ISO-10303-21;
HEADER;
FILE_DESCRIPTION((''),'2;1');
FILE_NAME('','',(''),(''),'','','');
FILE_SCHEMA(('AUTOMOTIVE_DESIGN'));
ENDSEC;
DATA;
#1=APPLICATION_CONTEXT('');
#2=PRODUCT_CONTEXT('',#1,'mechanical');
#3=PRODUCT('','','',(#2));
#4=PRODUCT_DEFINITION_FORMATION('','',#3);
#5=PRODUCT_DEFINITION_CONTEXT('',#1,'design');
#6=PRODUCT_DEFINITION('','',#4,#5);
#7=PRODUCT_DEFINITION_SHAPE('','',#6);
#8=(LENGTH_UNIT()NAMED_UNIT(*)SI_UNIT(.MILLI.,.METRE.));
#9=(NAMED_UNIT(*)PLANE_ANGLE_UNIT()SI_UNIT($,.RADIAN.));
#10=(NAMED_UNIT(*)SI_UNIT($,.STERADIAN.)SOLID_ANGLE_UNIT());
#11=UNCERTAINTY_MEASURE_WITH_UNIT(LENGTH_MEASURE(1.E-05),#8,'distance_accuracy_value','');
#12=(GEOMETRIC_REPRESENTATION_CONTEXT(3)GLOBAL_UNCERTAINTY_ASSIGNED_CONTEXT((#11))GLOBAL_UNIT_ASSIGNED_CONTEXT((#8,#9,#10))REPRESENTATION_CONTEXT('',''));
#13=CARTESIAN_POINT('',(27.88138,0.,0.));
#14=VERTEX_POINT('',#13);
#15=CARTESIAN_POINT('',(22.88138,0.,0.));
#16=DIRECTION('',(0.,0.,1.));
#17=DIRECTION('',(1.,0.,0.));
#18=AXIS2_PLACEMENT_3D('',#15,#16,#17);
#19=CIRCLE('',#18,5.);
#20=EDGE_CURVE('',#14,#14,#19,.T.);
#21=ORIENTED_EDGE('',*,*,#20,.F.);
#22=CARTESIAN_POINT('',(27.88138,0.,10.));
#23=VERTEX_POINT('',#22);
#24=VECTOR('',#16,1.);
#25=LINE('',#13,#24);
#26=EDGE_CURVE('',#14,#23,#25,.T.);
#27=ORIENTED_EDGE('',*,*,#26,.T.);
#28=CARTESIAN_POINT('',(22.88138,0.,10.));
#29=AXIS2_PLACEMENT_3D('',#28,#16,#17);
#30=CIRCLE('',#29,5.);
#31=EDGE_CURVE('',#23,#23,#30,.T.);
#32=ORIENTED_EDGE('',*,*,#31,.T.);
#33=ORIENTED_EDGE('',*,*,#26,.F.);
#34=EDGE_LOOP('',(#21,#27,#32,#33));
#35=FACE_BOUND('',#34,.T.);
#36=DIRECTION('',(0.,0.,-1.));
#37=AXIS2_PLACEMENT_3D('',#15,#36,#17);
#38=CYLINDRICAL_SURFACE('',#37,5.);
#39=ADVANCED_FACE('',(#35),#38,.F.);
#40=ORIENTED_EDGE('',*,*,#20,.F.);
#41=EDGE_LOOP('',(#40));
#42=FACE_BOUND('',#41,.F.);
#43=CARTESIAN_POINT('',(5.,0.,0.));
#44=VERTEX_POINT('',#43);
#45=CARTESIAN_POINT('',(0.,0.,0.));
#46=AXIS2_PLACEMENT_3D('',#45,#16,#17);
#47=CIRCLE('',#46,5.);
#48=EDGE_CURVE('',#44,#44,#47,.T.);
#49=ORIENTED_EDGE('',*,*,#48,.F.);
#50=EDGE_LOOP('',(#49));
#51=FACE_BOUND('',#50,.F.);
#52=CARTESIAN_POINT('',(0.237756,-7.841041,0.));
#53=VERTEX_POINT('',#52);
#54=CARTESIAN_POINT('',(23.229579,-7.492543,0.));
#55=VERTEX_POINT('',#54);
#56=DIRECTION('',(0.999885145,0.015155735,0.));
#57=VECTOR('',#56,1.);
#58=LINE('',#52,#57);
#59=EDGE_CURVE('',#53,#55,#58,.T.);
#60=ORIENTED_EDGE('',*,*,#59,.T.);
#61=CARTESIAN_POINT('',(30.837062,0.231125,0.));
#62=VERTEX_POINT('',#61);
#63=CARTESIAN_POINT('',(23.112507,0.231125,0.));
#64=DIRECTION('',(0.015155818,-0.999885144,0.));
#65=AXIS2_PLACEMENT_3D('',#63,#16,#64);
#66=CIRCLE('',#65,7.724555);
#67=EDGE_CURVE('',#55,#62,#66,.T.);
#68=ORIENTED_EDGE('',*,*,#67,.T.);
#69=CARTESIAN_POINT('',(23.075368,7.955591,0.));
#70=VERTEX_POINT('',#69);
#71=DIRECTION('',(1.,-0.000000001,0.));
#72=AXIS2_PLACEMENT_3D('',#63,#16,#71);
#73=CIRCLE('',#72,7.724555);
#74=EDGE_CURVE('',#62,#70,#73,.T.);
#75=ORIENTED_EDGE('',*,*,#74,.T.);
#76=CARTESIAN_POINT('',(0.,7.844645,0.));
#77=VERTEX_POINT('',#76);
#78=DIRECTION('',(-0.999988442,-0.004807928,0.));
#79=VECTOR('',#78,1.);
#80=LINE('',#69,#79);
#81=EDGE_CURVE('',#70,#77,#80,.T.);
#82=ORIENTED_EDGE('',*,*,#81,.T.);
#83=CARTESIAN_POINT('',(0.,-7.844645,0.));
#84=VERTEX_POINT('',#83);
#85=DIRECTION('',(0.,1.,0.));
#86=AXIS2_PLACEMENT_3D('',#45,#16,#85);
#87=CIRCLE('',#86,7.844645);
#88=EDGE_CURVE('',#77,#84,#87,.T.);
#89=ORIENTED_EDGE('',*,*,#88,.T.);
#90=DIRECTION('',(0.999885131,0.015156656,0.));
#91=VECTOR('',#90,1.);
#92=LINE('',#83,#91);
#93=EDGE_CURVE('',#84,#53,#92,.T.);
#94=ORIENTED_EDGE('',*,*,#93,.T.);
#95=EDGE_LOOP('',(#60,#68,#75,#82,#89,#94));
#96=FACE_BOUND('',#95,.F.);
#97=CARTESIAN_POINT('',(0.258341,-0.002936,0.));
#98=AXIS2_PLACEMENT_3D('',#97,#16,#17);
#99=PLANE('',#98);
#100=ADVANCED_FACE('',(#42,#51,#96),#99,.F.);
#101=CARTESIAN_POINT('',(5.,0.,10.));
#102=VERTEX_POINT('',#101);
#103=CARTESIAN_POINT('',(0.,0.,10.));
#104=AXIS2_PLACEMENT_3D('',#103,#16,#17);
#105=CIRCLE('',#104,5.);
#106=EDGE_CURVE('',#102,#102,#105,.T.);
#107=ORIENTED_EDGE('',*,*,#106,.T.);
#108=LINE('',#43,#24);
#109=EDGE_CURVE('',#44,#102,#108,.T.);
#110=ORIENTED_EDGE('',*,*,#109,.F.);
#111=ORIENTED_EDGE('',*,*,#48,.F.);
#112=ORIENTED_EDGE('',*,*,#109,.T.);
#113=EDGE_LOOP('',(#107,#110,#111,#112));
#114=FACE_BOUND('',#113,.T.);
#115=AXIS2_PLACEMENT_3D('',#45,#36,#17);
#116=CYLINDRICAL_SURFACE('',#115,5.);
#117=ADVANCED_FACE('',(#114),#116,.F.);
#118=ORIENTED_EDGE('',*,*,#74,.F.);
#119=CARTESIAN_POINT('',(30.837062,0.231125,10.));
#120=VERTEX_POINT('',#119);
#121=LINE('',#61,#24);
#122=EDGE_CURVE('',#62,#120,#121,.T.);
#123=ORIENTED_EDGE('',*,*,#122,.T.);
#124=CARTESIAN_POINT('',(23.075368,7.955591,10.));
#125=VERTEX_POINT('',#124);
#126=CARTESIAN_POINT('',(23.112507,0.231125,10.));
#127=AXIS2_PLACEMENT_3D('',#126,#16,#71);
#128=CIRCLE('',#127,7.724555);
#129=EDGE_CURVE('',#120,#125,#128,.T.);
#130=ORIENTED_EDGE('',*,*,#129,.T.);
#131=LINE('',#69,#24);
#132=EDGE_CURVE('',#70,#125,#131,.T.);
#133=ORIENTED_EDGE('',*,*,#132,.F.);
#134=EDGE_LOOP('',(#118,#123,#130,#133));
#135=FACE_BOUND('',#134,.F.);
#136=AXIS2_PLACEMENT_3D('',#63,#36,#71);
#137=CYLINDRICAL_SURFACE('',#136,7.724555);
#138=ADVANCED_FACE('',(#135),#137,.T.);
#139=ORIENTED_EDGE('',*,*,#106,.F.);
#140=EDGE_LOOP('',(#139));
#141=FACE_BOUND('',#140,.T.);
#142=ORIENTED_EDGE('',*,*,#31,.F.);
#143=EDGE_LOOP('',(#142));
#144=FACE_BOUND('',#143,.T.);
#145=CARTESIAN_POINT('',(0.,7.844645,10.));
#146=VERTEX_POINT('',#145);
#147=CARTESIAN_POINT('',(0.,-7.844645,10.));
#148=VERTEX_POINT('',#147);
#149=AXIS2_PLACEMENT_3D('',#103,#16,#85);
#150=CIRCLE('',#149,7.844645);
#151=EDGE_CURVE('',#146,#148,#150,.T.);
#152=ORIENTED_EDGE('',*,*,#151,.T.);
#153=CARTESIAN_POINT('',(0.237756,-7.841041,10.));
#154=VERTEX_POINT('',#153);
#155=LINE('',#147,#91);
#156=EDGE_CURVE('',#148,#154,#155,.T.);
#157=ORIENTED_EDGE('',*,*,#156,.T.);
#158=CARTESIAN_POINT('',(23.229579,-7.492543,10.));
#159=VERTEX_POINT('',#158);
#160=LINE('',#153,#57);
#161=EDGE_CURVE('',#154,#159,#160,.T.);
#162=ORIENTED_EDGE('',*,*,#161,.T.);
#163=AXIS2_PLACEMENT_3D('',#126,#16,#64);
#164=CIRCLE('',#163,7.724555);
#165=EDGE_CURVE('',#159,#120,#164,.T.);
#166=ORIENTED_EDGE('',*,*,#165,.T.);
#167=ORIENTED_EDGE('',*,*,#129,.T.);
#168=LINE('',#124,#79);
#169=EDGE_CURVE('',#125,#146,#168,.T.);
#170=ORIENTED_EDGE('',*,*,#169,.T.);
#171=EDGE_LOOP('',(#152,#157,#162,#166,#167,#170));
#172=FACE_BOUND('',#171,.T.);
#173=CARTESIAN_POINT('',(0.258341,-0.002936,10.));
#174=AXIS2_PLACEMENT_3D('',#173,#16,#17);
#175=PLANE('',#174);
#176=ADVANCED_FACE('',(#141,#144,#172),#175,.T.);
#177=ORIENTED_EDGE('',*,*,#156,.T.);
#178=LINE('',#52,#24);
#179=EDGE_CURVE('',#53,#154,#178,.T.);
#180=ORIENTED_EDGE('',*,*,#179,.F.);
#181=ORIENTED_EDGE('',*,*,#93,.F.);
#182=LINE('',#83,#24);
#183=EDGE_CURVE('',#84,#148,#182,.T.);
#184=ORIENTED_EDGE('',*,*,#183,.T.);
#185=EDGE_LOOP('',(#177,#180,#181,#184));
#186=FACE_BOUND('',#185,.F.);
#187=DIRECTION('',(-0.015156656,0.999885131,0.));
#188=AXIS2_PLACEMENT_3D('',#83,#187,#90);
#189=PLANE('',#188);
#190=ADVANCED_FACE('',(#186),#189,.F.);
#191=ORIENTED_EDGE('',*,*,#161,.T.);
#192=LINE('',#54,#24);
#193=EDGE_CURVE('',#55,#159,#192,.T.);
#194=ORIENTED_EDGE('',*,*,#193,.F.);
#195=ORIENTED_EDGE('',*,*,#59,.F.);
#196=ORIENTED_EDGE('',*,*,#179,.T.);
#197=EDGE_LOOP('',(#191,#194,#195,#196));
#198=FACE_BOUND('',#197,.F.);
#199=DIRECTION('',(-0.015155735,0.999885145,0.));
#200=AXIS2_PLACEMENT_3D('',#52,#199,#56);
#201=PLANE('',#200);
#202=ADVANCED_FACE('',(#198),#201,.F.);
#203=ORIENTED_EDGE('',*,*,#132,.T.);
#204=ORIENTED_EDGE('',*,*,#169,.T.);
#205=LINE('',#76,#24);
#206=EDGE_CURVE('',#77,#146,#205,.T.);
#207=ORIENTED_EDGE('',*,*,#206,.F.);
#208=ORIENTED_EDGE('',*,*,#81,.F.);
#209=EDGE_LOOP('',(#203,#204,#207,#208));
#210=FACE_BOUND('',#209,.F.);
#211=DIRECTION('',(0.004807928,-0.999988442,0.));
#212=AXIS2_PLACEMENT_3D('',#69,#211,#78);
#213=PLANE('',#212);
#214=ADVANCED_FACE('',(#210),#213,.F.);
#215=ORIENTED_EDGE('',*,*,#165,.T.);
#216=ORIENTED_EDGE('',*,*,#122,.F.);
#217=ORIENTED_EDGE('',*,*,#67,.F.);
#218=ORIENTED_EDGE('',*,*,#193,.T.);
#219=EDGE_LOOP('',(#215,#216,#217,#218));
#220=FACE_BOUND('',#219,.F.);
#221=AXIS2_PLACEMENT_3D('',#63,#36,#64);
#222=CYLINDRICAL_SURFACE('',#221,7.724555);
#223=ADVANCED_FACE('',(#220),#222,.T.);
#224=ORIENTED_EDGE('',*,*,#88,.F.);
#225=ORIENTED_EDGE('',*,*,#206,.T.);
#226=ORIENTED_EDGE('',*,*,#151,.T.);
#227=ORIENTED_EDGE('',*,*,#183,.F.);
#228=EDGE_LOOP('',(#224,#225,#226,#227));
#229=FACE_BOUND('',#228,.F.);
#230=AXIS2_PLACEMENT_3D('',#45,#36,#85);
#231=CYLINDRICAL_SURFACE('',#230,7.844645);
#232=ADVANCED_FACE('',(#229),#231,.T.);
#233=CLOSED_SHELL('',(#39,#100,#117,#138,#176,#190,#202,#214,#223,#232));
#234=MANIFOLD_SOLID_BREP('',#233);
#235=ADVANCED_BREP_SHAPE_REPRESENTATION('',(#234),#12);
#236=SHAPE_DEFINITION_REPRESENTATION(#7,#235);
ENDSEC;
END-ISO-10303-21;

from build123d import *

# Parameters (mm, degrees)
F0_R     = 5
F1_DEPTH = 10


with BuildPart() as f1:
    # F0 (on Top) → F1 (new body)
    with BuildSketch(Plane.XY):
        with BuildLine():
            ThreePointArc((0.237756, -7.841041), (5.630434, -5.462296), (7.844645, 0))
            ThreePointArc((7.844645, 0), (5.547002, 5.547002), (0, 7.844645))
            ThreePointArc((0, 7.844645), (-7.844645, 0), (0, -7.844645))
            Line((0, -7.844645), (0.237756, -7.841041))
        make_face()
        Circle(F0_R, mode=Mode.SUBTRACT)
        with BuildLine():
            ThreePointArc((0, 7.844645), (5.547002, 5.547002), (7.844645, 0))
            ThreePointArc((7.844645, 0), (5.630434, -5.462296), (0.237756, -7.841041))
            Line((0.237756, -7.841041), (23.229579, -7.492543))
            ThreePointArc((23.229579, -7.492543), (15.388337, 0.154019), (23.075368, 7.955591))
            Line((23.075368, 7.955591), (0, 7.844645))
        make_face()
        with BuildLine():
            ThreePointArc((30.837062, 0.231125), (28.561446, 5.706325), (23.075368, 7.955591))
            ThreePointArc((23.075368, 7.955591), (15.388337, 0.154019), (23.229579, -7.492543))
            ThreePointArc((23.229579, -7.492543), (28.615828, -5.189411), (30.837062, 0.231125))
        make_face()
        with Locations((22.88138, 0)):
            Circle(F0_R, mode=Mode.SUBTRACT)
    extrude(amount=F1_DEPTH)


solid = f1.part
